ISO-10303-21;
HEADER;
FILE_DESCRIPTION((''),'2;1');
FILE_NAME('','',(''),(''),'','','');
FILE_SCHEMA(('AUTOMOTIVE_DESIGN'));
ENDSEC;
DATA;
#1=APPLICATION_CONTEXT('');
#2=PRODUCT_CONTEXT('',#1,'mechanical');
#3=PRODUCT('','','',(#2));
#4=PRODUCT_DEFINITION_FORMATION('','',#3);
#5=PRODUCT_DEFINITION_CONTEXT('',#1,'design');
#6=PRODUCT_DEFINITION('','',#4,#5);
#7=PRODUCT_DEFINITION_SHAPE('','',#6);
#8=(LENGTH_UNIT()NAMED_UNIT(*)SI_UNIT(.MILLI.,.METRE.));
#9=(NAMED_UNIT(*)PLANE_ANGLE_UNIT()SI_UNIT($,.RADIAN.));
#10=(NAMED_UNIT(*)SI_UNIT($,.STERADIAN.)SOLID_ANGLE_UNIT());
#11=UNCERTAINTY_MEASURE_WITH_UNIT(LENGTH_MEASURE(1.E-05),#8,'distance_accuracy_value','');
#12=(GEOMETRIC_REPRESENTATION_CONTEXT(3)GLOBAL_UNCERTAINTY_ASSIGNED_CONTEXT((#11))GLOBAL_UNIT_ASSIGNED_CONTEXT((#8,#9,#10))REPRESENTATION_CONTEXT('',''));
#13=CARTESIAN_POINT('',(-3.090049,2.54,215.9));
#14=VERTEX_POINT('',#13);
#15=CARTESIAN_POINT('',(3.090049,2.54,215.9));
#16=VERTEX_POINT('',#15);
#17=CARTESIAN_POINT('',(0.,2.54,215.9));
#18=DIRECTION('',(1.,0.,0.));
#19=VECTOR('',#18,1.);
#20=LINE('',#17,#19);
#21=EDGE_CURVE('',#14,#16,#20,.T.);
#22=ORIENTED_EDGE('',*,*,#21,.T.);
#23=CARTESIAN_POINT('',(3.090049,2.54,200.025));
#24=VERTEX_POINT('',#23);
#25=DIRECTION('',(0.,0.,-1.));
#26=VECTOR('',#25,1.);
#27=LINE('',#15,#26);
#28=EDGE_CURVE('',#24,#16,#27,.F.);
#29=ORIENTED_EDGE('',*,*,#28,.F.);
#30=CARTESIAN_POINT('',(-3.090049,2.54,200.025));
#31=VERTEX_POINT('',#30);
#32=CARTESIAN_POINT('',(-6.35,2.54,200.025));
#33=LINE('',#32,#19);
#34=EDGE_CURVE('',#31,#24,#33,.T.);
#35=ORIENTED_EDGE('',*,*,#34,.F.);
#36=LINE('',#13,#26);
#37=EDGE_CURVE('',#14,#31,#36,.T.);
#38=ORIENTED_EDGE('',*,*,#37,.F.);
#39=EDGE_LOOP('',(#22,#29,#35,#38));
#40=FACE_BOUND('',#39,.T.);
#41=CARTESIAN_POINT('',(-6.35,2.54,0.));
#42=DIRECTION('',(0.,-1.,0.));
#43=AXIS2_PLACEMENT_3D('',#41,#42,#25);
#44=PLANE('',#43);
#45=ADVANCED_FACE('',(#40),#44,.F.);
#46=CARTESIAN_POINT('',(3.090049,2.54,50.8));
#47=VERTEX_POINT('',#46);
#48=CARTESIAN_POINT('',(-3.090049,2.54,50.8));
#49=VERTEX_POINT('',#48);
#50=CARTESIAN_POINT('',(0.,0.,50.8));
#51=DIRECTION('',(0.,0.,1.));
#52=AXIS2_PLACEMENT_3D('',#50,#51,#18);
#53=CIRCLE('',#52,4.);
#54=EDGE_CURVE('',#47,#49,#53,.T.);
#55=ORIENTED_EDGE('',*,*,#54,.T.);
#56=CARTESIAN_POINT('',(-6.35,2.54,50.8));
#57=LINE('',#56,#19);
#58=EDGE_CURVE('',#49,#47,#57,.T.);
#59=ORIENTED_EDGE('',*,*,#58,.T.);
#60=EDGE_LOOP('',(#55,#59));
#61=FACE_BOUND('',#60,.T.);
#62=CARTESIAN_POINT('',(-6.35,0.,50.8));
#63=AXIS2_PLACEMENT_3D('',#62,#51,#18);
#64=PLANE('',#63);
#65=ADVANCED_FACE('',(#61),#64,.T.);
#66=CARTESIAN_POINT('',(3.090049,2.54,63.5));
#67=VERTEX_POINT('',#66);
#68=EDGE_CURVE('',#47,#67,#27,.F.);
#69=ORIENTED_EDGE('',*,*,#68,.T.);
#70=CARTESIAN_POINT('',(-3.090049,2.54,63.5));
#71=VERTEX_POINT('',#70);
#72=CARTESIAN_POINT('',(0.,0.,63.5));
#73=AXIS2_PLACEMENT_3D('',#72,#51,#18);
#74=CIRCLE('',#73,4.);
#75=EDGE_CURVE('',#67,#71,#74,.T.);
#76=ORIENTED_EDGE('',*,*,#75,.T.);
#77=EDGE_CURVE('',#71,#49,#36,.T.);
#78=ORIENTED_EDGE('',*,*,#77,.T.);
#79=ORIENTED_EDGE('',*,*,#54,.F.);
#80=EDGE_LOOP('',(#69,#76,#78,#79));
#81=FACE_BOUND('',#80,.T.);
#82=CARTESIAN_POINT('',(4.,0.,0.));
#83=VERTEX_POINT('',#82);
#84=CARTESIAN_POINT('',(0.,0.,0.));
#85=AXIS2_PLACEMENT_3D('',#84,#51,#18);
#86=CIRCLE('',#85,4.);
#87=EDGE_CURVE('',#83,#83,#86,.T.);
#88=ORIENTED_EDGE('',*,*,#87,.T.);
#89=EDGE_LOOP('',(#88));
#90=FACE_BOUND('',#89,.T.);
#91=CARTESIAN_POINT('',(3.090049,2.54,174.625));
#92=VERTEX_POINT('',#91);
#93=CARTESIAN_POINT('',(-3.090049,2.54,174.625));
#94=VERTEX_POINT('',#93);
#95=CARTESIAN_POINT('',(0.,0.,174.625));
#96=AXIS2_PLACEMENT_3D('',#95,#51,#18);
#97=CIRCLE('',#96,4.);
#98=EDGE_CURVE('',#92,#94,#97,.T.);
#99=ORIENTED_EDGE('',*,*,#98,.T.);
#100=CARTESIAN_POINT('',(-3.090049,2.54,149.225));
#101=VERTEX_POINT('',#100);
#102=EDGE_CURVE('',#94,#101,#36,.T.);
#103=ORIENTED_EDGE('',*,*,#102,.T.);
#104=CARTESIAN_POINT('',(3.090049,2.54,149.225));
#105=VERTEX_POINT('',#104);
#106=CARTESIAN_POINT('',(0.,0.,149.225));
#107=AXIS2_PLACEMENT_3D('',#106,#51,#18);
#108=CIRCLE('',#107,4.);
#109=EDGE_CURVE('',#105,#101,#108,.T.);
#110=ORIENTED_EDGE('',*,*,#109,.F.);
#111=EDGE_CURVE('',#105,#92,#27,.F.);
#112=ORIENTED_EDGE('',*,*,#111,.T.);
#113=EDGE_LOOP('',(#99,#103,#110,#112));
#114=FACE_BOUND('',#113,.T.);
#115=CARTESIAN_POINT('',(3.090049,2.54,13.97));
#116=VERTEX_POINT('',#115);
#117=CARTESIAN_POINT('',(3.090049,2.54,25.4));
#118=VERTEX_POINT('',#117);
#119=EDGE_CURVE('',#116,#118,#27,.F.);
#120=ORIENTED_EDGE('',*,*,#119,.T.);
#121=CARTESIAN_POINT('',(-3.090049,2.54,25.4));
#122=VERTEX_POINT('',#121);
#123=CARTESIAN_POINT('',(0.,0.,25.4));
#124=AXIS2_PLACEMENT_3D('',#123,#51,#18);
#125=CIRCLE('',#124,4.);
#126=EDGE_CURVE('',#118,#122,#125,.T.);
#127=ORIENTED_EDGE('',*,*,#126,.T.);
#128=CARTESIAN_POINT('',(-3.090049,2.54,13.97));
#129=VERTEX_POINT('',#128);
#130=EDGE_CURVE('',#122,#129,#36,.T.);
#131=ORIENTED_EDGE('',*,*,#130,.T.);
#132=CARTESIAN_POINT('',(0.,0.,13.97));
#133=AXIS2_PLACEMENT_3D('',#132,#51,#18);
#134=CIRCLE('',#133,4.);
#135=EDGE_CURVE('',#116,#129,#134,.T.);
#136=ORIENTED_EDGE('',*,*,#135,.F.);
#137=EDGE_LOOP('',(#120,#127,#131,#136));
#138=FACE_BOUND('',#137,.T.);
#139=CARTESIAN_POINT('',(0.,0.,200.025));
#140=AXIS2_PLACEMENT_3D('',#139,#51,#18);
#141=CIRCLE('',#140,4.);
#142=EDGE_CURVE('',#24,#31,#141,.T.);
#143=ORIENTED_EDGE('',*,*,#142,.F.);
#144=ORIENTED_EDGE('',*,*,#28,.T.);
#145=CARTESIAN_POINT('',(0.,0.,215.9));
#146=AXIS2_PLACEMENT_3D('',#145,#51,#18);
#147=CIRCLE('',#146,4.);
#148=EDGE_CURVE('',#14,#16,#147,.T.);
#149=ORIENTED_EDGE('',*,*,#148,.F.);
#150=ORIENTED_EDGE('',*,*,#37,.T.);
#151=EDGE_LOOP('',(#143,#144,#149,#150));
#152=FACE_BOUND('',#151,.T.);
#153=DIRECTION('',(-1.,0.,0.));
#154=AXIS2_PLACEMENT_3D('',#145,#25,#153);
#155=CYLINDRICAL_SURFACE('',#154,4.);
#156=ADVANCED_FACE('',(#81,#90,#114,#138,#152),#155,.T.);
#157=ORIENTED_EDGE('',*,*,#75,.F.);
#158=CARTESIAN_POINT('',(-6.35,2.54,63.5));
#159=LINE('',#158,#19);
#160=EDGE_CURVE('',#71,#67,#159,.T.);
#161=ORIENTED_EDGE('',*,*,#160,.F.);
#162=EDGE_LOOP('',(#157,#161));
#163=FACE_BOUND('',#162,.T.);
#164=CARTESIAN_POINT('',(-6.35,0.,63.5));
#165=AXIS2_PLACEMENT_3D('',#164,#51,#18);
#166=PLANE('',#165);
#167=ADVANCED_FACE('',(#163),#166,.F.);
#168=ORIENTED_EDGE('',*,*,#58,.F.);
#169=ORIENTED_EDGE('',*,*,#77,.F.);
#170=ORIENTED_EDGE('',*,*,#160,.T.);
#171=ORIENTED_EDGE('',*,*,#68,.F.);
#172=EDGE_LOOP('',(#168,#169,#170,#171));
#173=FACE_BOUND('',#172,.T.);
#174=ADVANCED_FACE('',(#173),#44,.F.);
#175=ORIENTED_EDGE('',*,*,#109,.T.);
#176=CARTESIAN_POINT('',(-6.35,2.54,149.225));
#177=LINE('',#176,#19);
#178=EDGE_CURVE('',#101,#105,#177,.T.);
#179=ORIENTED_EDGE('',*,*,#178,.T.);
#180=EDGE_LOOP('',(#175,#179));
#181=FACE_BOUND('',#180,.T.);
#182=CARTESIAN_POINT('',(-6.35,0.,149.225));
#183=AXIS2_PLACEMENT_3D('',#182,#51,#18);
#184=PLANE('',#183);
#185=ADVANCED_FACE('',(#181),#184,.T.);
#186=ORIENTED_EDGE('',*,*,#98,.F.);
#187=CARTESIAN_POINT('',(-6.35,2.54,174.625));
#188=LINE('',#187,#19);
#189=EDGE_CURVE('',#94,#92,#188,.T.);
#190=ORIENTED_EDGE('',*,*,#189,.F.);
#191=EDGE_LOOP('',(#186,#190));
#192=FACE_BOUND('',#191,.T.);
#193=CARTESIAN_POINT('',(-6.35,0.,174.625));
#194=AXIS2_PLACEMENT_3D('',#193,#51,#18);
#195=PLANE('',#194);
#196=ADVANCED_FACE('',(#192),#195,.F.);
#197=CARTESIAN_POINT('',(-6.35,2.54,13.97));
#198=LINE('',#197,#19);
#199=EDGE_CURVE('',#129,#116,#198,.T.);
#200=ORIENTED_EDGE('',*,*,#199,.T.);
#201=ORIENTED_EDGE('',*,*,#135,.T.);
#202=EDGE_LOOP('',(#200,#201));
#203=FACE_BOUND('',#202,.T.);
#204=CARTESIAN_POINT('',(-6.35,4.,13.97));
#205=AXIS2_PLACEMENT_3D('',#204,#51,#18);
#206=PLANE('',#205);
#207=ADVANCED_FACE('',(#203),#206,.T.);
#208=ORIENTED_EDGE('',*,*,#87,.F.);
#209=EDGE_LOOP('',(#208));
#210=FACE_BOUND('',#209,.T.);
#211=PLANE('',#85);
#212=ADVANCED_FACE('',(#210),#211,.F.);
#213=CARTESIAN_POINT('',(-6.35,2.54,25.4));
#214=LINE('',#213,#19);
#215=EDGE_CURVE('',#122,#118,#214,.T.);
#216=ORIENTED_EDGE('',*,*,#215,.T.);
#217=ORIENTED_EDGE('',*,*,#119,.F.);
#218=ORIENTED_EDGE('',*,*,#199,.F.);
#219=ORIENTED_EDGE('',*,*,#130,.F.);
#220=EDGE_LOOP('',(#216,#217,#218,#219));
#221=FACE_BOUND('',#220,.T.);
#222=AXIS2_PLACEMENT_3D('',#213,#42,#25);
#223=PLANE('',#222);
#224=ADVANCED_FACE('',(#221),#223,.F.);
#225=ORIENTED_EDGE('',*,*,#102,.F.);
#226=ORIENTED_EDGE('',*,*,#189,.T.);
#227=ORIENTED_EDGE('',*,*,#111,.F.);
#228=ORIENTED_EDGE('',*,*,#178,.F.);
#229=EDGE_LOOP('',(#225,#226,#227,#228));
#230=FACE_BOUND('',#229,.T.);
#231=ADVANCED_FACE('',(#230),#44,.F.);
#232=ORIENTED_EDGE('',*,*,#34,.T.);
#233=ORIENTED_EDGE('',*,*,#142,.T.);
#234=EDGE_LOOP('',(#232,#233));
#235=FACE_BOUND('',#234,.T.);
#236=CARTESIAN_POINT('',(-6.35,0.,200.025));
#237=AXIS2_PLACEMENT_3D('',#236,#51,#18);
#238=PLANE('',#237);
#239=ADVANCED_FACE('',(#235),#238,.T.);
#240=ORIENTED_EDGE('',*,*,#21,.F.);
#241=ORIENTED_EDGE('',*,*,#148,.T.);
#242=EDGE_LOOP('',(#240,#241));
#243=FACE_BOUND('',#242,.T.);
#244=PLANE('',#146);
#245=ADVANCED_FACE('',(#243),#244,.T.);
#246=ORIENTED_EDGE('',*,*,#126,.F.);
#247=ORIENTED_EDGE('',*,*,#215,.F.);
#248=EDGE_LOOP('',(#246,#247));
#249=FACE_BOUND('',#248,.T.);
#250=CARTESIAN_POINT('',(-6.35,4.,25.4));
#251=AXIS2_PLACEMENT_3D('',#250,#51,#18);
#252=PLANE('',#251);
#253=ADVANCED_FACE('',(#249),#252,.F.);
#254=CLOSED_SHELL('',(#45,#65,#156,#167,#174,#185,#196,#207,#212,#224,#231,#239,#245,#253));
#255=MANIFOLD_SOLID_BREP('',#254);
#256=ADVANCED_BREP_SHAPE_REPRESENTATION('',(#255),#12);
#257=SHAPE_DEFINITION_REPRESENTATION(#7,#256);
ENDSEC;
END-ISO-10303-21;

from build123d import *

# Parameters (mm, degrees)
SKETCH1_R           = 4
BOSS_EXTRUDE1_DEPTH = 215.9
SKETCH2_W           = 12.7
SKETCH2_H           = 1.46
SKETCH2_W_2         = 25.4
SKETCH2_W_3         = 15.875
SKETCH2_W_4         = 11.43
CUT_EXTRUDE1_DEPTH  = 6.35


with BuildPart() as part:
    # Sketch1 → Boss-Extrude1 (new body)
    with BuildSketch(Plane.XY):
        Circle(SKETCH1_R)
    extrude(amount=BOSS_EXTRUDE1_DEPTH)

    # Sketch2 → Cut-Extrude1 (cut, symmetric)
    with BuildSketch(Plane(origin=(0, 0, 0), x_dir=(0, 0, -1), z_dir=(1, 0, 0))):
        with Locations((-57.15, 3.27)):
            Rectangle(SKETCH2_W, SKETCH2_H)
        with Locations((-161.925, 3.27)):
            Rectangle(SKETCH2_W_2, SKETCH2_H)
        with Locations((-207.9625, 3.27)):
            Rectangle(SKETCH2_W_3, SKETCH2_H)
        with Locations((-19.685, 3.27)):
            Rectangle(SKETCH2_W_4, SKETCH2_H)
    extrude(amount=CUT_EXTRUDE1_DEPTH, both=True, mode=Mode.SUBTRACT)


solid = part.part
